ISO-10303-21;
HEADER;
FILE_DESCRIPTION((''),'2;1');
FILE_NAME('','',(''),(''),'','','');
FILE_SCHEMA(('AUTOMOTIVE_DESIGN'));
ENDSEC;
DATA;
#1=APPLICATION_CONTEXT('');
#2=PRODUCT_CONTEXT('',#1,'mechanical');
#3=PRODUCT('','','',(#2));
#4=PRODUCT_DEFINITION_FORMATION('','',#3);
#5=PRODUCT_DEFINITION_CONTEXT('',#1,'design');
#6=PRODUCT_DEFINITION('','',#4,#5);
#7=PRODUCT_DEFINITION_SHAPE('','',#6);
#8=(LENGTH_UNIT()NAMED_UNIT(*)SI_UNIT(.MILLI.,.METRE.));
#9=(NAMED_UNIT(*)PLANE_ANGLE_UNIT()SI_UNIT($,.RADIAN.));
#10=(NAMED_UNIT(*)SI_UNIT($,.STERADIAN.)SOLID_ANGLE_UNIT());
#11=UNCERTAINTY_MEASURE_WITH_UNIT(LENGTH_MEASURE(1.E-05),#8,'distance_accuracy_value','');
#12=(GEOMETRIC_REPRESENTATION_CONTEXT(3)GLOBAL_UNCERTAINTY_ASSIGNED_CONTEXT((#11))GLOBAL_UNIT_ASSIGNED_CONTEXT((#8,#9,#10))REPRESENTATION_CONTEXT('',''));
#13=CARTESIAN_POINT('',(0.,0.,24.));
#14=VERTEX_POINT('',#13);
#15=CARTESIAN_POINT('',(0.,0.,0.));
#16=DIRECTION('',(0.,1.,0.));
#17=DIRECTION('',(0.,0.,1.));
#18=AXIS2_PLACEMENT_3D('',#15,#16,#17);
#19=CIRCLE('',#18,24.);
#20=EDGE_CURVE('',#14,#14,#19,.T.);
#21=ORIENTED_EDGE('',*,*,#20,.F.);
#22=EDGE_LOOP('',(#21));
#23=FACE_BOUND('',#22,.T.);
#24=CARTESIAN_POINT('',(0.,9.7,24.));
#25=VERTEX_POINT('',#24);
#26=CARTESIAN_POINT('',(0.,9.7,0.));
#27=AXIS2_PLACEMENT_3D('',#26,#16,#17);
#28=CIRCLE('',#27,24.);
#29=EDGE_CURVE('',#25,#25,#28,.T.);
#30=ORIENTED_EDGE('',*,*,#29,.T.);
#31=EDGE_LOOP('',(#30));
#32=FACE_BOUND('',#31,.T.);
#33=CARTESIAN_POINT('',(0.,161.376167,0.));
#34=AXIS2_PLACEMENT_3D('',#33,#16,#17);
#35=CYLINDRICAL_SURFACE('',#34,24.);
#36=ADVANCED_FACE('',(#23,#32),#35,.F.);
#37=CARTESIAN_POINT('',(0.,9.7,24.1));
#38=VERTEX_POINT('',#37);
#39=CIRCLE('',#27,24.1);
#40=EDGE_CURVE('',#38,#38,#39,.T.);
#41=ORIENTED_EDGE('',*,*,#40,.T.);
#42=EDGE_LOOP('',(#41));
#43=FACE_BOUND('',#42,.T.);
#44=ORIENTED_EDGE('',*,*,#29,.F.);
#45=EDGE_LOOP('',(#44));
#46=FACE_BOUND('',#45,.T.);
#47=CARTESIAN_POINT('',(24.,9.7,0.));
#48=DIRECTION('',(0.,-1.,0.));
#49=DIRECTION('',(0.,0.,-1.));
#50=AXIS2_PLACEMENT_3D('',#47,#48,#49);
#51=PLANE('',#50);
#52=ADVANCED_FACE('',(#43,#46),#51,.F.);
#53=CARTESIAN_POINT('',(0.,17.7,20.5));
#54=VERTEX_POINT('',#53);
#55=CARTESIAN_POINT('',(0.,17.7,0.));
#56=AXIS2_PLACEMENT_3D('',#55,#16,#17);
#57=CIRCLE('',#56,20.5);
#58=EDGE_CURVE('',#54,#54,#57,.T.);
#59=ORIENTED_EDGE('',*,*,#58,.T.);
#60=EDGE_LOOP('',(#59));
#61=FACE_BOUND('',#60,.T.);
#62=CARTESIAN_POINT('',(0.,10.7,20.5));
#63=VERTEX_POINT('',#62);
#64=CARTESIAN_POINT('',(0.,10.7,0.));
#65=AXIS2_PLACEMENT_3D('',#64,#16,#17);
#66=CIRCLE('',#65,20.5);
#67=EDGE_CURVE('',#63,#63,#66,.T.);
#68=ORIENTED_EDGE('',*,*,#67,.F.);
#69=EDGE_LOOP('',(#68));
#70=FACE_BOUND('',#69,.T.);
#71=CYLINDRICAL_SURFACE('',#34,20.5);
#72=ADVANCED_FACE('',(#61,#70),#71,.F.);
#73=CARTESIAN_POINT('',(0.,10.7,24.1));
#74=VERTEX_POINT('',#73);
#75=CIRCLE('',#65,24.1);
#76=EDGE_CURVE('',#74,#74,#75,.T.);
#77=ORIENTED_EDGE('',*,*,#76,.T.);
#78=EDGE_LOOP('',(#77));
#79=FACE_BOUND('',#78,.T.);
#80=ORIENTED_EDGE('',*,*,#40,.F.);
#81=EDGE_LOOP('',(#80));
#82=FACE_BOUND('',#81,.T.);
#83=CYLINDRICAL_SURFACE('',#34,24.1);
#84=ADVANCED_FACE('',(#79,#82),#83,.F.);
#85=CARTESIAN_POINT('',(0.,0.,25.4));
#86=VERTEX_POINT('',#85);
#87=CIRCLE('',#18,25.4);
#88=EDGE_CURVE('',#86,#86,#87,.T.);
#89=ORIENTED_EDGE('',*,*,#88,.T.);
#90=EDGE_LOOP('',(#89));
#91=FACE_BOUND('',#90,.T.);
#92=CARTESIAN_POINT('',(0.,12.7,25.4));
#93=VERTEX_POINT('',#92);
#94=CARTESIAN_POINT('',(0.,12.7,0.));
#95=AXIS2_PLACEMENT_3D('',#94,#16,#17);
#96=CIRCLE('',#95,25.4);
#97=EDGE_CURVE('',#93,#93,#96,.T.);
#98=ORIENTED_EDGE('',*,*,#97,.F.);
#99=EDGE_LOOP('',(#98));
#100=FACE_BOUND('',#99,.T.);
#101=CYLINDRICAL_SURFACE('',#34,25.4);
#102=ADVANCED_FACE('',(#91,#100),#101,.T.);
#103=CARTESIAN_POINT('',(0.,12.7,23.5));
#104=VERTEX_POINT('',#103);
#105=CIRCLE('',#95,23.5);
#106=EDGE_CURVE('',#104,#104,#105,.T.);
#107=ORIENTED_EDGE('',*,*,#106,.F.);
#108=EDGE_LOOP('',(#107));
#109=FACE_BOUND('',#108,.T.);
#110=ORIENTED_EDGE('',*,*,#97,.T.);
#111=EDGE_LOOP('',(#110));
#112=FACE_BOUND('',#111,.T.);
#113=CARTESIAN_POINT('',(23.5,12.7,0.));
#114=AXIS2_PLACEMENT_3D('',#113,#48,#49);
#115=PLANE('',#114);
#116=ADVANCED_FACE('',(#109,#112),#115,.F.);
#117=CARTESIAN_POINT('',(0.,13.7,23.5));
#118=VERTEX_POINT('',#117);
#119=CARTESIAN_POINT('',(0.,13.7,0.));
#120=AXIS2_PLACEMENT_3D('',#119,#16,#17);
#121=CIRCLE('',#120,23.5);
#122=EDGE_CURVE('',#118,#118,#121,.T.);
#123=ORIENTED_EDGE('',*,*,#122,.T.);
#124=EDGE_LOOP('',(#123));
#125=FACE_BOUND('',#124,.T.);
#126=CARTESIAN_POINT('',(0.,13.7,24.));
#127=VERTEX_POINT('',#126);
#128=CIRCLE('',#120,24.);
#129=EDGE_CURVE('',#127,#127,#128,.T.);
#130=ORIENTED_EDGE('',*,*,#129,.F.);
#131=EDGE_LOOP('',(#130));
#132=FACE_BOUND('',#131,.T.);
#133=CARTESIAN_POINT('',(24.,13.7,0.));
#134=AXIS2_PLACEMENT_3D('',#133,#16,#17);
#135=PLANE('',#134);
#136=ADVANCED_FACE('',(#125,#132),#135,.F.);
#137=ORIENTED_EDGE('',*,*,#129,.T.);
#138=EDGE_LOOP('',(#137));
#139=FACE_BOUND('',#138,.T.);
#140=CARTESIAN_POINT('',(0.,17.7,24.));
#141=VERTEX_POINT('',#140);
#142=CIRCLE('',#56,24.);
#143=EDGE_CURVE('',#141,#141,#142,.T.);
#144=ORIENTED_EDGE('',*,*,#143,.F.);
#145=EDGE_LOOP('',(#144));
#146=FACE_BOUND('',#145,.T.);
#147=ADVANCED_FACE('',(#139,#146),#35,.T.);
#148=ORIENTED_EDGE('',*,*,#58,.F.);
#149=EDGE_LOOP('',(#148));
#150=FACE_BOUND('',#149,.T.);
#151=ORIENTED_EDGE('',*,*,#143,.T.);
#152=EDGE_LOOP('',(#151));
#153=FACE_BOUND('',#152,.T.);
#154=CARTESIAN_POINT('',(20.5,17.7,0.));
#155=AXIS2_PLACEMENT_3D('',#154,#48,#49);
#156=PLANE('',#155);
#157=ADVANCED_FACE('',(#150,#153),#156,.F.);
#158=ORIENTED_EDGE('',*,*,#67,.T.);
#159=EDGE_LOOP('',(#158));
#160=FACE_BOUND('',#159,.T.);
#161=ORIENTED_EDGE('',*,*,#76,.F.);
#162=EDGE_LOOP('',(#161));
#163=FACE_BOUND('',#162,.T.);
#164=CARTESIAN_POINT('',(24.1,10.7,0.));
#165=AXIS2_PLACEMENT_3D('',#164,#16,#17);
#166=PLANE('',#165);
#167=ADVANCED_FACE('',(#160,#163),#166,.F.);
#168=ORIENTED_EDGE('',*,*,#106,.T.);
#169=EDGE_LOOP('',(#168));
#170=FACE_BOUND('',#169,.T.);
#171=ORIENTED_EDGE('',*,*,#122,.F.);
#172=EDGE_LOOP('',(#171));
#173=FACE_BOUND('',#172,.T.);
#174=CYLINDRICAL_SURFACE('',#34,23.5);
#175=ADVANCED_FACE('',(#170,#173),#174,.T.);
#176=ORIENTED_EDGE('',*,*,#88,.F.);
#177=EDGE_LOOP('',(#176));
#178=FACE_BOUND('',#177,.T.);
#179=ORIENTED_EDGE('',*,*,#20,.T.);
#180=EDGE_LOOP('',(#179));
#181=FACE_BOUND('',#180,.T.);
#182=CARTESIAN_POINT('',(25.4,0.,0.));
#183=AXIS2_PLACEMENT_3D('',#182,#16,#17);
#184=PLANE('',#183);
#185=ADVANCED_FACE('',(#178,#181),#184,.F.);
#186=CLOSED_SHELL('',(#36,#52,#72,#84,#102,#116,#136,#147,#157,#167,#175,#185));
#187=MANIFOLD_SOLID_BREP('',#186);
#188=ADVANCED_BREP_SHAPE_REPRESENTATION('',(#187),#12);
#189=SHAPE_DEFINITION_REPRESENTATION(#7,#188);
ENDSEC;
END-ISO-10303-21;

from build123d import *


with BuildPart() as part:
    # 草图1 → 旋转1 (revolve)
    with BuildSketch(Plane.XY, mode=Mode.PRIVATE) as revolve_1_sk:
        Polygon((20.5, 17.7), (24, 17.7), (24, 13.7), (23.5, 13.7), (23.5, 12.7), (25.4, 12.7), (25.4, 0), (24, 0), (24, 9.7), (24.1, 9.7), (24.1, 10.7), (20.5, 10.7), align=None)
    revolve(revolve_1_sk.sketch.rotate(Axis((0, 161.376166943, 0), (0, -1, 0)), 90), axis=Axis((0, 161.376166943, 0), (0, -1, 0)))  # turned: the seam where the file's is


solid = part.part
